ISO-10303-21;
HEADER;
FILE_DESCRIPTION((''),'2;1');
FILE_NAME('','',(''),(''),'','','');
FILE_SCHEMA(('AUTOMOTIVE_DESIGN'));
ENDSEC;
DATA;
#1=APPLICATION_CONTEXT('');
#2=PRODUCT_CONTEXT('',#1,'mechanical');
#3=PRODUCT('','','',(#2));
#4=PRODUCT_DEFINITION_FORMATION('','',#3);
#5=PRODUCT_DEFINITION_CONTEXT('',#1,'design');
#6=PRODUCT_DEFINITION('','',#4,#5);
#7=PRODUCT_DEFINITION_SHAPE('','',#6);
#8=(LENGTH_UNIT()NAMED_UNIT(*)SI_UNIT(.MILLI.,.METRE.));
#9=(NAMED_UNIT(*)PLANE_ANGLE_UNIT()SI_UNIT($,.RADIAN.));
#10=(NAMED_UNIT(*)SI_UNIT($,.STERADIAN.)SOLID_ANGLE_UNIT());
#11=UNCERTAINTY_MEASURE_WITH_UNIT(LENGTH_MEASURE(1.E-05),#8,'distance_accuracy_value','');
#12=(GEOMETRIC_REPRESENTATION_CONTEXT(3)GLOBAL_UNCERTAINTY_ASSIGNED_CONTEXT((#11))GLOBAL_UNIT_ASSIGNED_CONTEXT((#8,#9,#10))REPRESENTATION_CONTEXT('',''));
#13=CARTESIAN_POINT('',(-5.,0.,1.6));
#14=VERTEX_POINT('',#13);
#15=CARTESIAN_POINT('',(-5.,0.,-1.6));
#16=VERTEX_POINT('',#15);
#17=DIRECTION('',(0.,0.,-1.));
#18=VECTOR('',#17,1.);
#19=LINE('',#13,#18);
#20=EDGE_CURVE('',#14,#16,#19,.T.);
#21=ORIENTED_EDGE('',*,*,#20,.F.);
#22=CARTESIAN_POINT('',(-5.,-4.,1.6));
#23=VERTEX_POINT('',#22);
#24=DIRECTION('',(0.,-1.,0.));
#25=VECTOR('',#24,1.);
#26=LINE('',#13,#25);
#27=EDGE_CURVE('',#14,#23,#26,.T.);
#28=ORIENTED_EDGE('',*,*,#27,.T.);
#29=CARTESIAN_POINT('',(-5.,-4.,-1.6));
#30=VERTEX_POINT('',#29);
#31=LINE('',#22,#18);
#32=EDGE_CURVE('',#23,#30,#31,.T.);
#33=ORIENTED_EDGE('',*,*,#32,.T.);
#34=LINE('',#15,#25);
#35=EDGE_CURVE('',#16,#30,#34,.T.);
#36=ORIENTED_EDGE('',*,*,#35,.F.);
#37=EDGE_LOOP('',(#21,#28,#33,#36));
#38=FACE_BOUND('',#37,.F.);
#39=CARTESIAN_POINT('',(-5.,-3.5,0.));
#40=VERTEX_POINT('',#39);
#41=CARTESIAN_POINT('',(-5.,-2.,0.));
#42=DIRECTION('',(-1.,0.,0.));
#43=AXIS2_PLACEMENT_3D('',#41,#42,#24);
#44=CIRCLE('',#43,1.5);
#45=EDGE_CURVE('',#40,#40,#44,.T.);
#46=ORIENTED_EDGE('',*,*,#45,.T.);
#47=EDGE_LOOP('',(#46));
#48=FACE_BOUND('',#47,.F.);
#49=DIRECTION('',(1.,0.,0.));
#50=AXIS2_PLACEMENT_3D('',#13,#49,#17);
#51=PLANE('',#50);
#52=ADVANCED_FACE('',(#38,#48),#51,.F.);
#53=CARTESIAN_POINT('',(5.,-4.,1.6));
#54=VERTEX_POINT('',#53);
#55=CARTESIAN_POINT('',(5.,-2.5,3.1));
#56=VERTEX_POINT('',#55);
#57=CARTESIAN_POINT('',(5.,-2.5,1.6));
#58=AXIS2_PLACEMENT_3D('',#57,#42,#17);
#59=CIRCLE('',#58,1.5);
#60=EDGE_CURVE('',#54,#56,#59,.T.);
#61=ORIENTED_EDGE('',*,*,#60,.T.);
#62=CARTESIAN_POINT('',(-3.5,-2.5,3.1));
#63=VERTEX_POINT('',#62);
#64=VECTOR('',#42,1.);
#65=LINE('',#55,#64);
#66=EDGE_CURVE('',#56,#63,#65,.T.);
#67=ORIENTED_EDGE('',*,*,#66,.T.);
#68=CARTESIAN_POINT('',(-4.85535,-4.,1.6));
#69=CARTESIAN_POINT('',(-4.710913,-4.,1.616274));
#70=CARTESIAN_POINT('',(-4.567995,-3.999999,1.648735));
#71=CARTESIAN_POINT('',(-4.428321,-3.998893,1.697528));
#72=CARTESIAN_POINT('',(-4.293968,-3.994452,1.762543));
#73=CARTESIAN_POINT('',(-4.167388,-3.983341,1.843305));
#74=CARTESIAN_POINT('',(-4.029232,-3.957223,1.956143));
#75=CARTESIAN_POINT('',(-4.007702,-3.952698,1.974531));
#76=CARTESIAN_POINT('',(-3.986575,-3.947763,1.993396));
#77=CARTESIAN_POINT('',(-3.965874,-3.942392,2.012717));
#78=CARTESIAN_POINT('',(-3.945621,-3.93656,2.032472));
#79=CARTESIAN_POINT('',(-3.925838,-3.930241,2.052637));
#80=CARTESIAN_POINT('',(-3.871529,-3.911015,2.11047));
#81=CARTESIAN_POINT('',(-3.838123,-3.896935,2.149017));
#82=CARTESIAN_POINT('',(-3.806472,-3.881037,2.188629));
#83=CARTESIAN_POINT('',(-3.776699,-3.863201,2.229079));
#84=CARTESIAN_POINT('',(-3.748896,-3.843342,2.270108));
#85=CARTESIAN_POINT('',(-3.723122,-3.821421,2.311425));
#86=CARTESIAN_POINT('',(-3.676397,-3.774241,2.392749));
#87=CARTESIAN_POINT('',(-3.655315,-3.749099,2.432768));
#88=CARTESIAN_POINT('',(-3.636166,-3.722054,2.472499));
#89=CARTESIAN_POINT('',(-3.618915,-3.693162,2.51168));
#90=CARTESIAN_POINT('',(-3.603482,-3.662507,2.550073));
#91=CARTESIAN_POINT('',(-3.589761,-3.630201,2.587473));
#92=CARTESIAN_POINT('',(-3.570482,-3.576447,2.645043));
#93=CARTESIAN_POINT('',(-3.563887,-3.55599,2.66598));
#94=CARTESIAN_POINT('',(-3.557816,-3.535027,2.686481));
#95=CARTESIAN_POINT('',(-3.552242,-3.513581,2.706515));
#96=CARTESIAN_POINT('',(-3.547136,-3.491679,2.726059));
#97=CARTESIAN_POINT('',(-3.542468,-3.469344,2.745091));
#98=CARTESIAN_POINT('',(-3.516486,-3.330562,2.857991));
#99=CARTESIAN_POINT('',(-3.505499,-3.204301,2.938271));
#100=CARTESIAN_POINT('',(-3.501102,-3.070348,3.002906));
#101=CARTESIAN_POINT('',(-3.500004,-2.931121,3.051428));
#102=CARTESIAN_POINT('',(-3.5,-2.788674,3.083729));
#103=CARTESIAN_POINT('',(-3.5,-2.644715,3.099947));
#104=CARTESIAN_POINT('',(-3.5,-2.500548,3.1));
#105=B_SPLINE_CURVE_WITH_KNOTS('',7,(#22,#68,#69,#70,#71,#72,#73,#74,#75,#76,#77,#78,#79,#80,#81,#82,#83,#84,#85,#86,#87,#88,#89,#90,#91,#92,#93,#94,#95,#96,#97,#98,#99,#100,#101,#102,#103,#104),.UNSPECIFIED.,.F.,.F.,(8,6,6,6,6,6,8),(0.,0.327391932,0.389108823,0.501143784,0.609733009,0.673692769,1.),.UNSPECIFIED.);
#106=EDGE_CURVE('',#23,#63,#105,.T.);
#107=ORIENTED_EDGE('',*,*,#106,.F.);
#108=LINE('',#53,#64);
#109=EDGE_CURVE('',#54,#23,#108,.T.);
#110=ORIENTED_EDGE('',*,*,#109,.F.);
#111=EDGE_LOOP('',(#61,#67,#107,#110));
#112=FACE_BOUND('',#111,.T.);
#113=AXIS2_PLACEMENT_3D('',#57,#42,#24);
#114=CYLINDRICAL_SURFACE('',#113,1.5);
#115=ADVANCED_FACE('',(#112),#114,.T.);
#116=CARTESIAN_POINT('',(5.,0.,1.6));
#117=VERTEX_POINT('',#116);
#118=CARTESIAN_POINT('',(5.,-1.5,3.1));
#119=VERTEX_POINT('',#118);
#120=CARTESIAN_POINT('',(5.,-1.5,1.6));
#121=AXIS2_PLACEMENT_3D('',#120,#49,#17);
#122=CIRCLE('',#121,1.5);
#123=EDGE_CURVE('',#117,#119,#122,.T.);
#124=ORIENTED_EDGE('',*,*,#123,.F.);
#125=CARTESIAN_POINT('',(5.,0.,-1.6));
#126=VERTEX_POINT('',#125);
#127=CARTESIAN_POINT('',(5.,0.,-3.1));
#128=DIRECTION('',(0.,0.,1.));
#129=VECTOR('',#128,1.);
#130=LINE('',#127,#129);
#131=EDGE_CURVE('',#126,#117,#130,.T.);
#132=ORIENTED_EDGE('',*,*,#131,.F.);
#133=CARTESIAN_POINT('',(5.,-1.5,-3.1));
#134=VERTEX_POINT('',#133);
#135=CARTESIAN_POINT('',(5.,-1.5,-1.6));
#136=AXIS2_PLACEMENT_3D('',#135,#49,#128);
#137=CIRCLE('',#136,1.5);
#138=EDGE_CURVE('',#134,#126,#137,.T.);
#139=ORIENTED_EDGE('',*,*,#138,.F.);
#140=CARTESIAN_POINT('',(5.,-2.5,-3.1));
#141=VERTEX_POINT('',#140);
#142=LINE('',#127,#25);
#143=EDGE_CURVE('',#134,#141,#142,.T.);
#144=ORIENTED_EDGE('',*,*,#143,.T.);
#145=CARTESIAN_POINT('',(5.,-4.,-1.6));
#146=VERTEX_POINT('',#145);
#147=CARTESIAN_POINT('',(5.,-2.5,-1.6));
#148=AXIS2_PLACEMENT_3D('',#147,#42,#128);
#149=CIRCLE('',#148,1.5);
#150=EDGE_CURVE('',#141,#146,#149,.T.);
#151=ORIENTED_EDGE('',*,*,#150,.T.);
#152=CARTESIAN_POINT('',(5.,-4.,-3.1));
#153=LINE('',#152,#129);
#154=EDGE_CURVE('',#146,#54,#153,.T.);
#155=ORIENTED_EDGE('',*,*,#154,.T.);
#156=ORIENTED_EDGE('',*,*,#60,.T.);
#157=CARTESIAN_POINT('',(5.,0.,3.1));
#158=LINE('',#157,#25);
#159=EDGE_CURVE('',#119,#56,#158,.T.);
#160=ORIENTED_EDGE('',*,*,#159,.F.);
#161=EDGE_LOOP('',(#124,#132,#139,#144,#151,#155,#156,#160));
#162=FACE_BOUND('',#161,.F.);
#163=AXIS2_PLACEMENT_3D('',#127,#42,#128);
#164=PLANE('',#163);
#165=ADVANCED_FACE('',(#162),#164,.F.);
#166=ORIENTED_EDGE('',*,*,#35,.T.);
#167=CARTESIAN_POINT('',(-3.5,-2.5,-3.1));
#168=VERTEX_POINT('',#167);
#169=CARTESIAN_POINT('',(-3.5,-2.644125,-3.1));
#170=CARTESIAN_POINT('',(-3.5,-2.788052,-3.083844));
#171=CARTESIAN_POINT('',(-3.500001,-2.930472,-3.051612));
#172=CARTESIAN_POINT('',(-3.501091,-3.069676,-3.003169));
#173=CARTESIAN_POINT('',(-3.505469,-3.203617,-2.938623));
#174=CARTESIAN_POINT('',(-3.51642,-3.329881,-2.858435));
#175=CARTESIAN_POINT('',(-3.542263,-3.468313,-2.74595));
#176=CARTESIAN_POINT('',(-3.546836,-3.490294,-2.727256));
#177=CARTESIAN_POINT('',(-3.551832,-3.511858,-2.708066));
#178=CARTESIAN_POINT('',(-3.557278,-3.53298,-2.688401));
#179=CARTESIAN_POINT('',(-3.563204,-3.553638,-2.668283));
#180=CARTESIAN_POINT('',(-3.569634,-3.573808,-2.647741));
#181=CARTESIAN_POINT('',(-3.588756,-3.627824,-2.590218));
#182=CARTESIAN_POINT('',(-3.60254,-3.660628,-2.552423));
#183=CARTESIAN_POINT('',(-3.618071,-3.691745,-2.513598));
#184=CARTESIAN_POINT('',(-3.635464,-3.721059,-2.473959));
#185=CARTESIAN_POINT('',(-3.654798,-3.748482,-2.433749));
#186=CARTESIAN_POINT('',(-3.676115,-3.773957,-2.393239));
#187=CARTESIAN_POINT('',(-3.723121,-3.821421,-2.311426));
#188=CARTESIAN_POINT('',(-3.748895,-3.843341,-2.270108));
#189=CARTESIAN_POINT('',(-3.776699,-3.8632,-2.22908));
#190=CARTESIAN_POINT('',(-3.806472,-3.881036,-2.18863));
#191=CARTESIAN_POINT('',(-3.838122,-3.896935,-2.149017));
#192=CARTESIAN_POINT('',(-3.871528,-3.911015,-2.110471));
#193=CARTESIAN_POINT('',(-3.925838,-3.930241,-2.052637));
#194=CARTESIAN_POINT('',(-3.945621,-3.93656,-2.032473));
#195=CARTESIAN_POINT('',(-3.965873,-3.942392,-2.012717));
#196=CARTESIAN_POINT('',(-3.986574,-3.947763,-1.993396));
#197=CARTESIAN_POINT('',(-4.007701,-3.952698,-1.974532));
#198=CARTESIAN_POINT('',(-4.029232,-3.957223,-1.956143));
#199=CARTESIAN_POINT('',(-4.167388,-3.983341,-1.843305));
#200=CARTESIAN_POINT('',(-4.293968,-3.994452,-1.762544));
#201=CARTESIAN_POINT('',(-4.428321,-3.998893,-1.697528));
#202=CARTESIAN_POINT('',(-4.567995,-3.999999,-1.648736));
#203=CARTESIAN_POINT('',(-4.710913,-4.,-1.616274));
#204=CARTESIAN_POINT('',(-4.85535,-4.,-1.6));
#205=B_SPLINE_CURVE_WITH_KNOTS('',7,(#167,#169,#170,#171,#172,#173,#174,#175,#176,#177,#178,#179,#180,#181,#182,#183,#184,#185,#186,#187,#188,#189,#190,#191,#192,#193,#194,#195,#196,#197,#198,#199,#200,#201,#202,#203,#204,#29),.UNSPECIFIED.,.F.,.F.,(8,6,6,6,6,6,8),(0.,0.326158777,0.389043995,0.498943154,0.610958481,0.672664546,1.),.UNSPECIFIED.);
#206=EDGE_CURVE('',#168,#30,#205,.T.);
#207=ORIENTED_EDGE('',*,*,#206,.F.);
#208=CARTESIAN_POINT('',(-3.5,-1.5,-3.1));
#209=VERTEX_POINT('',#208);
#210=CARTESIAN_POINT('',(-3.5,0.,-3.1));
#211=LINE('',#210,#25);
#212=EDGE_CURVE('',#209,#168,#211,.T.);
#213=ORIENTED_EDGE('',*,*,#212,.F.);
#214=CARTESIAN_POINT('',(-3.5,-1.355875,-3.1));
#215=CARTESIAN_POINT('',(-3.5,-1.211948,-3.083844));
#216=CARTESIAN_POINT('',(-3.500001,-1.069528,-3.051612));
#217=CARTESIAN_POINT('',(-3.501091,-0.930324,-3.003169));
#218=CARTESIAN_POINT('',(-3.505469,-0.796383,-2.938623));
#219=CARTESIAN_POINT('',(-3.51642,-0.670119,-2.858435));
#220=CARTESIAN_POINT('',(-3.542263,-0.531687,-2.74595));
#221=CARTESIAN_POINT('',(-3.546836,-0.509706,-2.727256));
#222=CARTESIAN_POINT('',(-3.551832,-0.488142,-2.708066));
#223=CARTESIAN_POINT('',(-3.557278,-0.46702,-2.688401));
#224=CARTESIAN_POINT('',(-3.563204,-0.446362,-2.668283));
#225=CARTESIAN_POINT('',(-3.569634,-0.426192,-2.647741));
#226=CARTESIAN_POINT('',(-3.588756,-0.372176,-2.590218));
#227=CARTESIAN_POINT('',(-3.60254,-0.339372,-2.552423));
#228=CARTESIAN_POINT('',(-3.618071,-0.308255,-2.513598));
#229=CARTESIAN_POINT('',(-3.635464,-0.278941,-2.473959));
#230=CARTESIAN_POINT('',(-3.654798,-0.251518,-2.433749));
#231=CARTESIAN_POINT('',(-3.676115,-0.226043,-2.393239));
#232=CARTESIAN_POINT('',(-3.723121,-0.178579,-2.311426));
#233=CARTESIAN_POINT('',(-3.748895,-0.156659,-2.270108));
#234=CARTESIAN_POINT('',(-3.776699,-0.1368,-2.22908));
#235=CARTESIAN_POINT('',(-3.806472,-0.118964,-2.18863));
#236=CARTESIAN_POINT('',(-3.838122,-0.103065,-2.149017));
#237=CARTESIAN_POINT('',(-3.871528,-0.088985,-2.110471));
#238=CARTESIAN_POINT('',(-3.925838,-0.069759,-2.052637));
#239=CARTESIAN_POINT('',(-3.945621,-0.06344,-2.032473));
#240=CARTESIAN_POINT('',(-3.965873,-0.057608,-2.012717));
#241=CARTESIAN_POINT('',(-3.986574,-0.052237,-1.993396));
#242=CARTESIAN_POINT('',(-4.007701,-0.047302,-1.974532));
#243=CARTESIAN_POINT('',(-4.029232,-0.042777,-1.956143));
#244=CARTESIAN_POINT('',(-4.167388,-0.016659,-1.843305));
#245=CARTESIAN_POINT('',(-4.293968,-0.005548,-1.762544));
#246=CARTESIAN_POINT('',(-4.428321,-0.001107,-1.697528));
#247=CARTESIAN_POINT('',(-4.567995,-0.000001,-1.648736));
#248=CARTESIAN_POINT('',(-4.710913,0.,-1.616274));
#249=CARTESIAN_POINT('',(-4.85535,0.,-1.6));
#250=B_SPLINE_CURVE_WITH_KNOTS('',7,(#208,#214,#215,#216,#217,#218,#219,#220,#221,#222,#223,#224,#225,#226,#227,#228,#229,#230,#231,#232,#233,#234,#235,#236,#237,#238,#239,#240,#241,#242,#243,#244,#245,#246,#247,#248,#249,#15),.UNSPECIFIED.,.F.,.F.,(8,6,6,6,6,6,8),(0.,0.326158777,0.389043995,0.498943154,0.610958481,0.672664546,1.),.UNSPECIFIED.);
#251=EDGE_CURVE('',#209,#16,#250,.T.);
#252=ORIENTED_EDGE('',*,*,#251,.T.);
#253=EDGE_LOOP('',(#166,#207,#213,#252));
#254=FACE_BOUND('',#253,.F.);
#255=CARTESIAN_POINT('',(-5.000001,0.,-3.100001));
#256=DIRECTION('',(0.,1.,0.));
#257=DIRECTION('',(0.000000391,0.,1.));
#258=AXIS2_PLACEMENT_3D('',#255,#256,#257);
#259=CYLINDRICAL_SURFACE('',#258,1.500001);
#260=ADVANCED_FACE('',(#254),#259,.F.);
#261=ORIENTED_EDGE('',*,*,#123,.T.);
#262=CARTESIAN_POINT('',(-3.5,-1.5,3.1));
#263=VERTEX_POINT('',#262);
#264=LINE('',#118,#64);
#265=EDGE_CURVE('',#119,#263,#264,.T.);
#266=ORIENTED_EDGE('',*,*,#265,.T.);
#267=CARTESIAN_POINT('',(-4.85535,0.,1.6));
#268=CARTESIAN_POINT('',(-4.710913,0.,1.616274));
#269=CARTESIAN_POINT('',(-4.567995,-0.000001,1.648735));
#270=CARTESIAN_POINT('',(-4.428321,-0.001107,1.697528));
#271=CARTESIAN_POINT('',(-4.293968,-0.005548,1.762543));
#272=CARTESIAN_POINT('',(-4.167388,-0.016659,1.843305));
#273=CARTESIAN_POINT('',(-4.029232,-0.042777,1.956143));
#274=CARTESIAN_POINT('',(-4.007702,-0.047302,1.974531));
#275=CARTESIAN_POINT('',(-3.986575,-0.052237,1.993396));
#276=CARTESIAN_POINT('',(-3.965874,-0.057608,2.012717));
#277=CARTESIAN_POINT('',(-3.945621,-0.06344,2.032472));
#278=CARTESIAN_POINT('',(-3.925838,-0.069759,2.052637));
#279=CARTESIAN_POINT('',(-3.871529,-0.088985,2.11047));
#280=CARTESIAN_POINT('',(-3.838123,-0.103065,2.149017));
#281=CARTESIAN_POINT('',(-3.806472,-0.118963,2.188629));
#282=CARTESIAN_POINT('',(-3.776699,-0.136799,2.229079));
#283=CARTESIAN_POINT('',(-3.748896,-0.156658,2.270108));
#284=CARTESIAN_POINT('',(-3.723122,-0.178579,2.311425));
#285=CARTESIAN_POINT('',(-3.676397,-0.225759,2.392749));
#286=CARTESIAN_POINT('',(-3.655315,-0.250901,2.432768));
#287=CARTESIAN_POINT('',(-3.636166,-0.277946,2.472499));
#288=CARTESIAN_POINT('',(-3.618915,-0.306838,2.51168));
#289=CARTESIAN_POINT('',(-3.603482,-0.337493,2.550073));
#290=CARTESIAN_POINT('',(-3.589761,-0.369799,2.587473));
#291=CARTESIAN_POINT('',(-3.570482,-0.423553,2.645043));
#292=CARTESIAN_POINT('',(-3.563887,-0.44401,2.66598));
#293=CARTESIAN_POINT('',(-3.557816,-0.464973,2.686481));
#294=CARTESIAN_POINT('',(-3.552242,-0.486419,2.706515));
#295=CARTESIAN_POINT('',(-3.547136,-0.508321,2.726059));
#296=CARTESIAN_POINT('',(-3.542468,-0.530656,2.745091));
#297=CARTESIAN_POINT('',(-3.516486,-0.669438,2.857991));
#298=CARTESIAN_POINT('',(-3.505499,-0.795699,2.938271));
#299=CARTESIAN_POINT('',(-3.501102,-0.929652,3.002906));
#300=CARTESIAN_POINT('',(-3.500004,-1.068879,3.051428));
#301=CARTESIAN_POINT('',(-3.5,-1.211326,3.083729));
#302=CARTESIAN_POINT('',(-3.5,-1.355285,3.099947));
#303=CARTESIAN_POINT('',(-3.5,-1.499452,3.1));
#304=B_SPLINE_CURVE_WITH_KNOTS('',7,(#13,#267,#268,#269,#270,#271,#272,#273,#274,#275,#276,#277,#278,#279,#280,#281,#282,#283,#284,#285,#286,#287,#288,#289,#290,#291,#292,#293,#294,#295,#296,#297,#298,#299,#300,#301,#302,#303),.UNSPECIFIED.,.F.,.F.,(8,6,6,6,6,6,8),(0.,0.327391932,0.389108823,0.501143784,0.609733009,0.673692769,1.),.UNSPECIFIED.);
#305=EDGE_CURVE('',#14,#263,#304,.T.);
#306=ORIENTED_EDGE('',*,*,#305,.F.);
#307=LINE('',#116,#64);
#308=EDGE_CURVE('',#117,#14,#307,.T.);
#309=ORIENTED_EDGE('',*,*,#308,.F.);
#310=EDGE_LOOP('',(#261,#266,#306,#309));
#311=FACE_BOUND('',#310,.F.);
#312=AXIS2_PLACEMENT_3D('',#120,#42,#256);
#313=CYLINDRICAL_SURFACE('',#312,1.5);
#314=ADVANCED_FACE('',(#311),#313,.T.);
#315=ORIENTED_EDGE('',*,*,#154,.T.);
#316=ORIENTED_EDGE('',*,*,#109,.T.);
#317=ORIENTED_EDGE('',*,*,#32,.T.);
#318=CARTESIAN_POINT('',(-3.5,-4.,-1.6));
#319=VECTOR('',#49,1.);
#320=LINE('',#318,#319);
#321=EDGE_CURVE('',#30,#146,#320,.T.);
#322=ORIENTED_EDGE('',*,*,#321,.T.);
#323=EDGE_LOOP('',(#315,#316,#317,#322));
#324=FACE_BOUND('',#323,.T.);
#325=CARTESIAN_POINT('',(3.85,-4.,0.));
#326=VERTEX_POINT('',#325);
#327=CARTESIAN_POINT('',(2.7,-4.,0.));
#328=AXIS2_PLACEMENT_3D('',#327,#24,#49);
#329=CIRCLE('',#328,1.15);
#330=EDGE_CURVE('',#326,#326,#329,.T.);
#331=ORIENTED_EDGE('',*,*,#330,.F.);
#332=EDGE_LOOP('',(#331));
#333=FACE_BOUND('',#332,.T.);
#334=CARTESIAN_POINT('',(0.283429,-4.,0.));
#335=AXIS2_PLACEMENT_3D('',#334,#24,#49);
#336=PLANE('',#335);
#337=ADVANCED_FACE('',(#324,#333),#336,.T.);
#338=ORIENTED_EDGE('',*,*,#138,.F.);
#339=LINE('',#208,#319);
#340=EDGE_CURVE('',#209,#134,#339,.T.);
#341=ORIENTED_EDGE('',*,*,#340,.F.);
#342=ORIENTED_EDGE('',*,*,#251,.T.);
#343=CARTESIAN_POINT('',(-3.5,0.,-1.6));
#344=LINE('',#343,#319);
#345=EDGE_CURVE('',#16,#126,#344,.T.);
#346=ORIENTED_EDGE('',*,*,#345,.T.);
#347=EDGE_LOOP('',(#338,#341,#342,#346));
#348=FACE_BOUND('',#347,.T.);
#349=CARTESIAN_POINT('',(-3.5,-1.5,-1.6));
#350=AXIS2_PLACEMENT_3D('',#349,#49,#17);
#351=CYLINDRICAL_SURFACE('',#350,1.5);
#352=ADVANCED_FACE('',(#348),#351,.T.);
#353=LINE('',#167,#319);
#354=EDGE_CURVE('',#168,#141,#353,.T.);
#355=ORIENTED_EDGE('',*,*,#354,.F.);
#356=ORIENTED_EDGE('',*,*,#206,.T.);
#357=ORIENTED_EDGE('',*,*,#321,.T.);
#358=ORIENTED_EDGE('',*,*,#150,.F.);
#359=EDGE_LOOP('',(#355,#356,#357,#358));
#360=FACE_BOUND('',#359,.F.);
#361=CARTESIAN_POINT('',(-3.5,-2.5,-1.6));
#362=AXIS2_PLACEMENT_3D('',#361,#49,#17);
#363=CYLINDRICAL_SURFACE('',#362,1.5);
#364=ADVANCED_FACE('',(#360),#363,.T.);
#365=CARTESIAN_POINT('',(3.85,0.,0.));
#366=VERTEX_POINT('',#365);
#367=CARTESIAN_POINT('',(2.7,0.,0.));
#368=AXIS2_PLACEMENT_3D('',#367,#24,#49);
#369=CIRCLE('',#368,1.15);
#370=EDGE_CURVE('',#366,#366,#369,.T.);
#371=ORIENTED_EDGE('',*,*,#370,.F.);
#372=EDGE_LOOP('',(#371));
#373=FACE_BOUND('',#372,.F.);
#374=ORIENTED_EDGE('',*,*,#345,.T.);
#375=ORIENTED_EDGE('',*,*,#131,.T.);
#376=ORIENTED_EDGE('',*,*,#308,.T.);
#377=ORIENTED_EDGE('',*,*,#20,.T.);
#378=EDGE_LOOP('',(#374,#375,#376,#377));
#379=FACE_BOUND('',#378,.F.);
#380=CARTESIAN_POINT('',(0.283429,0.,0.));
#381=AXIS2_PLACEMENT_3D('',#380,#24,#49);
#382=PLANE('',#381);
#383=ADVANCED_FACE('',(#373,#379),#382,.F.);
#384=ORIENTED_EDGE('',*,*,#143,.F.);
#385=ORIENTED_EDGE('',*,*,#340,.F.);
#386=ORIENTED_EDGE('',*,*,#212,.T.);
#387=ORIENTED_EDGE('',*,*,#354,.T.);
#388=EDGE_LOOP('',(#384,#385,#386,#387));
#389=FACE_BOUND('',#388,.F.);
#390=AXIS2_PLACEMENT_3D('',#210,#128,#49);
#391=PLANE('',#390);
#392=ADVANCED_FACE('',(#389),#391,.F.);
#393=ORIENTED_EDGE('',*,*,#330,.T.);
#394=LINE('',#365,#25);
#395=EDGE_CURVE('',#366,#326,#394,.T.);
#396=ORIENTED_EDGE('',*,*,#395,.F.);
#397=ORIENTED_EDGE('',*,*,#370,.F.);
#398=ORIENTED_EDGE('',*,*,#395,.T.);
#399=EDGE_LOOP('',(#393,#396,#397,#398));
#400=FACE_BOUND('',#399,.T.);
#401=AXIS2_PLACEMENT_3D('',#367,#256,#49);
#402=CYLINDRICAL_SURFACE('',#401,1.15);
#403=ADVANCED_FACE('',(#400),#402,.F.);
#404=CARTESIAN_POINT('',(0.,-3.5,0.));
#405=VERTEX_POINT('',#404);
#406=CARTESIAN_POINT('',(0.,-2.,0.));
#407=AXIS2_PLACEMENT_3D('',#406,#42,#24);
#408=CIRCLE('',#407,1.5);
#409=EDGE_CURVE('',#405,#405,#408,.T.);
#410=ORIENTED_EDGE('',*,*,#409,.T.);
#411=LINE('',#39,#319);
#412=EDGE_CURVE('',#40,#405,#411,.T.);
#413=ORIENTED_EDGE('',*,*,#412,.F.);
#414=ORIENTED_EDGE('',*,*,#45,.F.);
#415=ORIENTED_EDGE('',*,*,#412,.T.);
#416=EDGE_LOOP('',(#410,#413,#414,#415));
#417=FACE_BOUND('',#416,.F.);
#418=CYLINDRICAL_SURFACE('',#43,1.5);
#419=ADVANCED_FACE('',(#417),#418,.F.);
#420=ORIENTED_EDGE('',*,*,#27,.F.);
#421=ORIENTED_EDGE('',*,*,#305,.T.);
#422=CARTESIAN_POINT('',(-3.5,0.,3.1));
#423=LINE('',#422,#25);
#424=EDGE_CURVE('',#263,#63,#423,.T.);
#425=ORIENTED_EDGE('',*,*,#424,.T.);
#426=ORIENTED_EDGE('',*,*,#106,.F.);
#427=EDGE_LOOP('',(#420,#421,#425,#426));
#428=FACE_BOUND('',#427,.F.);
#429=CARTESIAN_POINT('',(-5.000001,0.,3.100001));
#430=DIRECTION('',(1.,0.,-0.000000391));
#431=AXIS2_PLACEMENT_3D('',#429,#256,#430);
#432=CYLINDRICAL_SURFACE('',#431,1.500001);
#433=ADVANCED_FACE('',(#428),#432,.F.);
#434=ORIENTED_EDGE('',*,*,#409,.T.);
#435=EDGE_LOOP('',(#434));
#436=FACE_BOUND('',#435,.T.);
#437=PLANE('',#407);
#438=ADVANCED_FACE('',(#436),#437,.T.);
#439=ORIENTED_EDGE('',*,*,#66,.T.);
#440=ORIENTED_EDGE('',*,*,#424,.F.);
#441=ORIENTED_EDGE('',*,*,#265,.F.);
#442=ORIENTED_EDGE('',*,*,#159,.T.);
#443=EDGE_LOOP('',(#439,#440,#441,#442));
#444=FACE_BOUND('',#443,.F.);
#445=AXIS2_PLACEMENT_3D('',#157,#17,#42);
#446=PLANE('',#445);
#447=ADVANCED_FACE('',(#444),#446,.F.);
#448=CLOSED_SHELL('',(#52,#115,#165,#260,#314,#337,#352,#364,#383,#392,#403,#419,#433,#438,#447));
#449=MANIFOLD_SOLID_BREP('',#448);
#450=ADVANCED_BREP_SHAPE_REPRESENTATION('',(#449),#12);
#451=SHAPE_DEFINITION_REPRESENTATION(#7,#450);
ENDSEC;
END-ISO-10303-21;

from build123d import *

# Parameters (mm, degrees)
F0_R     = 1.15
F1_DEPTH = 4
F2_R     = 1.5
F3_DEPTH = 5
F4_R     = 1.5


with BuildPart() as f1:
    # F0 (on Front) → F1 (new body)
    with BuildSketch(Plane.XZ):
        with BuildLine():
            Line((-3.5, -3.1), (5, -3.1))
            Line((5, -3.1), (5, 3.1))
            Line((5, 3.1), (-3.5, 3.1))
            ThreePointArc((-3.5, 3.1), (-3.93934, 2.03934), (-5, 1.6))
            Line((-5, 1.6), (-5, -1.6))
            ThreePointArc((-5, -1.6), (-3.93934, -2.03934), (-3.5, -3.1))
        make_face()
        with Locations((2.7, 0)):
            Circle(F0_R, mode=Mode.SUBTRACT)
    extrude(amount=F1_DEPTH)

    # F2 (on face) → F3 (cut)
    with BuildSketch(Plane(origin=(-5, 0, 0), x_dir=(0, -1, 0), z_dir=(-1, 0, 0))):
        with Locations((2, 0)):
            Circle(F2_R)
    extrude(amount=-F3_DEPTH, mode=Mode.SUBTRACT)

    # F4
    f4_edges = [f1.edges().sort_by_distance(p)[0] for p in [
        (0.75, -4, -3.1),
        (0.75, -4, 3.1),
        (0.75, 0, -3.1),
        (0.75, 0, 3.1),
    ]]
    fillet(f4_edges, radius=F4_R)


solid = f1.part
